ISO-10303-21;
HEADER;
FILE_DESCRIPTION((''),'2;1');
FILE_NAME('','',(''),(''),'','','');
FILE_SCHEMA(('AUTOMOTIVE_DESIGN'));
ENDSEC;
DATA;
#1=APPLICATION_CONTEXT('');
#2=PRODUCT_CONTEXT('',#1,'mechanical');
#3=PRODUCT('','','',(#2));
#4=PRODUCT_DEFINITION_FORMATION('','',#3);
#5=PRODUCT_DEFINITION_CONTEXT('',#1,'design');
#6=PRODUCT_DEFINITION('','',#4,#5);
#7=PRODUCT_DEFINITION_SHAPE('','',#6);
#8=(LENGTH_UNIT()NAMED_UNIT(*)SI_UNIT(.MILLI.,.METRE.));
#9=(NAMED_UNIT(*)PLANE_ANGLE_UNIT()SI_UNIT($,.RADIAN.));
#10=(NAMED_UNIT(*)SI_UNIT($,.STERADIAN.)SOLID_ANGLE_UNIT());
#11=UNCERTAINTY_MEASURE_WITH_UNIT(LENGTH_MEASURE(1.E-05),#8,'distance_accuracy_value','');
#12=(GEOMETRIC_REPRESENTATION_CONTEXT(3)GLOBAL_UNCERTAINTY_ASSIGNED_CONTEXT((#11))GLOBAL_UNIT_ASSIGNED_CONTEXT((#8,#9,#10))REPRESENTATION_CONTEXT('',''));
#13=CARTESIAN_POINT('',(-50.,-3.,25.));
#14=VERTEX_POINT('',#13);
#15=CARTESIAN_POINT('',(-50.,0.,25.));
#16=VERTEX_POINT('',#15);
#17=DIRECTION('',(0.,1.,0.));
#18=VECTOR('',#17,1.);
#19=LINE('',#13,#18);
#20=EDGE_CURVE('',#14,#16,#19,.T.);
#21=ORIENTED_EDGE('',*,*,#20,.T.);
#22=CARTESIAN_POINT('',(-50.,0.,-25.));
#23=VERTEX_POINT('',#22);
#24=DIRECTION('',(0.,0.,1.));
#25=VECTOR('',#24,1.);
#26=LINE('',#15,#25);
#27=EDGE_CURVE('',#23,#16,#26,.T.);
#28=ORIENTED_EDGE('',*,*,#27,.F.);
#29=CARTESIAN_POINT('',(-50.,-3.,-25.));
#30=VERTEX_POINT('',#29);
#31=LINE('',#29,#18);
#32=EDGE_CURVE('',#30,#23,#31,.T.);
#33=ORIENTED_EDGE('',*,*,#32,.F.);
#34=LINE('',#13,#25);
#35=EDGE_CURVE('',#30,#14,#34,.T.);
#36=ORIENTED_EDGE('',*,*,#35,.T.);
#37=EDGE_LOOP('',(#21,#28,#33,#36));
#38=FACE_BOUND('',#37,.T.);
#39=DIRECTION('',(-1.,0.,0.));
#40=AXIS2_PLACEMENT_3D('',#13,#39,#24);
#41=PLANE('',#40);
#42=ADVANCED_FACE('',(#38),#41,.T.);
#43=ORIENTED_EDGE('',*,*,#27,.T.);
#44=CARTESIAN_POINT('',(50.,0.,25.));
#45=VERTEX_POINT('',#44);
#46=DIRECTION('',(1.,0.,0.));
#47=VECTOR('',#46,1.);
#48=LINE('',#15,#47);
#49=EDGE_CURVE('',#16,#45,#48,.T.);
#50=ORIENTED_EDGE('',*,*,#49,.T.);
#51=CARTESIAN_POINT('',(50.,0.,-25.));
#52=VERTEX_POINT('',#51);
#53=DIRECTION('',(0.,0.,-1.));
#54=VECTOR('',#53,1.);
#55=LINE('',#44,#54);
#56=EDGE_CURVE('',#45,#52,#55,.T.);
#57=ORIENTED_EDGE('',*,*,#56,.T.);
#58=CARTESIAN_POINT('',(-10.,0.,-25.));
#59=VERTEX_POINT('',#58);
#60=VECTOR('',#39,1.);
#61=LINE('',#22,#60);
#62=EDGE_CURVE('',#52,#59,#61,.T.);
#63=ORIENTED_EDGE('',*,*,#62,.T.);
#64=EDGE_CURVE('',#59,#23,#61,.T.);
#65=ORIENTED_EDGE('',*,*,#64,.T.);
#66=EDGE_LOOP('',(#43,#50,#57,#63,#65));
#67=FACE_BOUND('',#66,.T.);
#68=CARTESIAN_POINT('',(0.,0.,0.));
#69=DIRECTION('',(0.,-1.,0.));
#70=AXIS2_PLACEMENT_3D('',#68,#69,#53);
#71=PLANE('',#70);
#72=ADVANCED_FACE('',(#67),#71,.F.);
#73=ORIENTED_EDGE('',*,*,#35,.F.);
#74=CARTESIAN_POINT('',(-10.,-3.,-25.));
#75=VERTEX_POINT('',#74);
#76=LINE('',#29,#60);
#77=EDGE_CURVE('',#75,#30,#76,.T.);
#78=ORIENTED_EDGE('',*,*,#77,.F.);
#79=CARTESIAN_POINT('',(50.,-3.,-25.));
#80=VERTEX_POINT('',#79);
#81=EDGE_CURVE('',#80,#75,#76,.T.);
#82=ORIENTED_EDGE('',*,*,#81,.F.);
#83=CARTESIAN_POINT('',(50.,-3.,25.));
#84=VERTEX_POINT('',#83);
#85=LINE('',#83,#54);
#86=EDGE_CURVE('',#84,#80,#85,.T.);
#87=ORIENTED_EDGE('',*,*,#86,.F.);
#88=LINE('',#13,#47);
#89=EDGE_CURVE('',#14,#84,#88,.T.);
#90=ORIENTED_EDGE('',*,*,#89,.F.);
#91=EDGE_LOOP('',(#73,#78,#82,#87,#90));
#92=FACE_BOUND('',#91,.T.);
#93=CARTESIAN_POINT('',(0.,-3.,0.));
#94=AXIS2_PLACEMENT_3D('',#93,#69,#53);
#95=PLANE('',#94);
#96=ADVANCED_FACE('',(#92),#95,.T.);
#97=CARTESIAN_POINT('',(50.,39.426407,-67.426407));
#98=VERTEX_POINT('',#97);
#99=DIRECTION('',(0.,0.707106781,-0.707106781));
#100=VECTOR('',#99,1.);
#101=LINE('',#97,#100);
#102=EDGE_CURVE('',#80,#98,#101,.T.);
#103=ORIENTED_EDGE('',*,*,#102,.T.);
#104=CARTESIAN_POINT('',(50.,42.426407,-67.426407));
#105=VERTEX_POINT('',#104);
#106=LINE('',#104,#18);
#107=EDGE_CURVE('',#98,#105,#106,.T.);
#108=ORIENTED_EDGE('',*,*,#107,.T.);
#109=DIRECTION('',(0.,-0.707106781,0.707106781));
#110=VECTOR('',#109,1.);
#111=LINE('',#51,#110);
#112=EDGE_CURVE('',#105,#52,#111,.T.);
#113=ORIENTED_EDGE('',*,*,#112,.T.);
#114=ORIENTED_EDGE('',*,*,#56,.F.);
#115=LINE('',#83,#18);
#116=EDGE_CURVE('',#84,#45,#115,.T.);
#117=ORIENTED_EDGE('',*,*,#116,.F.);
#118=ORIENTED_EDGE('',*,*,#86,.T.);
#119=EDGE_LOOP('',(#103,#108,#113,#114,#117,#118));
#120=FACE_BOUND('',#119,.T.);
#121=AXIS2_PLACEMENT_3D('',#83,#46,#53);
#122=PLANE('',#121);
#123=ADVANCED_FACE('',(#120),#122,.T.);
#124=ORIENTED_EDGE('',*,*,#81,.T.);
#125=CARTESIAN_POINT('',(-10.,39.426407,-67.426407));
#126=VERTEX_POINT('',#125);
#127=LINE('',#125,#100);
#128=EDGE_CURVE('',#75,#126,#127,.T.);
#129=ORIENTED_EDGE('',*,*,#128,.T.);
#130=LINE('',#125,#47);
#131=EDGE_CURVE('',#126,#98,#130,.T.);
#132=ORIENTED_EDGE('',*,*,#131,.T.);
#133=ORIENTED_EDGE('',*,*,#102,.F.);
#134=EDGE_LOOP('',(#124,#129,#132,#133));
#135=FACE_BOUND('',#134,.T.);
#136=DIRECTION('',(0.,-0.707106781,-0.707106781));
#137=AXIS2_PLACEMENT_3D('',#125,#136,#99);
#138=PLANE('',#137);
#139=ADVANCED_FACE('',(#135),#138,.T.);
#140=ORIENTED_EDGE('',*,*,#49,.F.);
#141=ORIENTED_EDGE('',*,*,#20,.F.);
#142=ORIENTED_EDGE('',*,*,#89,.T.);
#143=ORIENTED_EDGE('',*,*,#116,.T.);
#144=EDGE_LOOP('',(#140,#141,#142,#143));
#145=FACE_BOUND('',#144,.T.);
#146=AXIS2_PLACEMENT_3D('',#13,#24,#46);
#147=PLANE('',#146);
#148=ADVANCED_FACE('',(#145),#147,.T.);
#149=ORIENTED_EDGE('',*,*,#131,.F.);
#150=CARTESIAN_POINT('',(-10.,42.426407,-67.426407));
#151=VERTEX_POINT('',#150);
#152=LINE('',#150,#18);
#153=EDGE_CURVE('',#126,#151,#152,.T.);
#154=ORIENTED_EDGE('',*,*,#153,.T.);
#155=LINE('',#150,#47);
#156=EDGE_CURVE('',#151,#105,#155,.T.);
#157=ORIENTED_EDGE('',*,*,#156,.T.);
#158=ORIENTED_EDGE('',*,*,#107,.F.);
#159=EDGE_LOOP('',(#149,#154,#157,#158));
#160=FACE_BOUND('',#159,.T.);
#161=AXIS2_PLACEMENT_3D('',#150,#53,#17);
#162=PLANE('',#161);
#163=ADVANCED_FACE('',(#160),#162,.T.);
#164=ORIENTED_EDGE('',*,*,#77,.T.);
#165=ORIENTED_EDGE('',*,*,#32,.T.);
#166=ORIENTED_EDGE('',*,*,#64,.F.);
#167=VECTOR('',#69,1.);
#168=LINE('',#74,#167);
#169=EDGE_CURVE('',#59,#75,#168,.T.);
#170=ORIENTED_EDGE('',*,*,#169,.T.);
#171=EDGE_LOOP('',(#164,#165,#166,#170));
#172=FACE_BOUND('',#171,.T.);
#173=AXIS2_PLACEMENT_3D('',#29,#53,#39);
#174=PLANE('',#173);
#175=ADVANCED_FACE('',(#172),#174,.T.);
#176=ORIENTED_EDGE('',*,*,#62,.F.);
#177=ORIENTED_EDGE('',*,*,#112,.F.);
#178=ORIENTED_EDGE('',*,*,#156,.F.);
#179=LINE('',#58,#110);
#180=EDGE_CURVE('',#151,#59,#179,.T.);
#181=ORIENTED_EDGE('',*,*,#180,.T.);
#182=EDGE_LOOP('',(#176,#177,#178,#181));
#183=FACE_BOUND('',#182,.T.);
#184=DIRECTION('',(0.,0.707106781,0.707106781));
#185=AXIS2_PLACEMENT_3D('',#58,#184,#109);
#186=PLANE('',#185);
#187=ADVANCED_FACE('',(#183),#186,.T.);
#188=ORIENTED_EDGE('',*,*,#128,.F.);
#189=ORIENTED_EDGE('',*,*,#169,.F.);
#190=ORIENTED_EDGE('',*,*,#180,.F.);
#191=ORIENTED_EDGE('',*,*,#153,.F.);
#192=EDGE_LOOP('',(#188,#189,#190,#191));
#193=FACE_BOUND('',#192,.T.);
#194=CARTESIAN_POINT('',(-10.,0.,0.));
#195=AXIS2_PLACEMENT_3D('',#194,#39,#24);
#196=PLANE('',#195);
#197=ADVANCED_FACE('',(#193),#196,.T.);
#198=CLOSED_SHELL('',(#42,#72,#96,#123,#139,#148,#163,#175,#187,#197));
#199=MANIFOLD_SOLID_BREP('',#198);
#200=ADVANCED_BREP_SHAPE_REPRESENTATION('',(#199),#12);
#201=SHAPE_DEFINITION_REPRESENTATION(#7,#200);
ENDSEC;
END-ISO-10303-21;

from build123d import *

# Parameters (mm, degrees)
SKETCH2_W           = 100
SKETCH2_H           = 50
BOSS_EXTRUDE1_DEPTH = 3
BOSS_EXTRUDE2_DEPTH = 60


with BuildPart() as part:
    # Sketch2 → Boss-Extrude1 (new body)
    with BuildSketch(Plane(origin=(0, 0, 0), x_dir=(1, 0, 0), z_dir=(0, 1, 0))):
        Rectangle(SKETCH2_W, SKETCH2_H)
    extrude(amount=-BOSS_EXTRUDE1_DEPTH)

    # Sketch3 → Boss-Extrude2 (add)
    with BuildSketch(Plane(origin=(50, 0, 0), x_dir=(0, 0, -1), z_dir=(1, 0, 0))):
        Polygon((25, 0), (67.426406871, 42.426406871), (67.426406871, 39.426406871), (25, -3), align=None)
    extrude(amount=-BOSS_EXTRUDE2_DEPTH)


solid = part.part
